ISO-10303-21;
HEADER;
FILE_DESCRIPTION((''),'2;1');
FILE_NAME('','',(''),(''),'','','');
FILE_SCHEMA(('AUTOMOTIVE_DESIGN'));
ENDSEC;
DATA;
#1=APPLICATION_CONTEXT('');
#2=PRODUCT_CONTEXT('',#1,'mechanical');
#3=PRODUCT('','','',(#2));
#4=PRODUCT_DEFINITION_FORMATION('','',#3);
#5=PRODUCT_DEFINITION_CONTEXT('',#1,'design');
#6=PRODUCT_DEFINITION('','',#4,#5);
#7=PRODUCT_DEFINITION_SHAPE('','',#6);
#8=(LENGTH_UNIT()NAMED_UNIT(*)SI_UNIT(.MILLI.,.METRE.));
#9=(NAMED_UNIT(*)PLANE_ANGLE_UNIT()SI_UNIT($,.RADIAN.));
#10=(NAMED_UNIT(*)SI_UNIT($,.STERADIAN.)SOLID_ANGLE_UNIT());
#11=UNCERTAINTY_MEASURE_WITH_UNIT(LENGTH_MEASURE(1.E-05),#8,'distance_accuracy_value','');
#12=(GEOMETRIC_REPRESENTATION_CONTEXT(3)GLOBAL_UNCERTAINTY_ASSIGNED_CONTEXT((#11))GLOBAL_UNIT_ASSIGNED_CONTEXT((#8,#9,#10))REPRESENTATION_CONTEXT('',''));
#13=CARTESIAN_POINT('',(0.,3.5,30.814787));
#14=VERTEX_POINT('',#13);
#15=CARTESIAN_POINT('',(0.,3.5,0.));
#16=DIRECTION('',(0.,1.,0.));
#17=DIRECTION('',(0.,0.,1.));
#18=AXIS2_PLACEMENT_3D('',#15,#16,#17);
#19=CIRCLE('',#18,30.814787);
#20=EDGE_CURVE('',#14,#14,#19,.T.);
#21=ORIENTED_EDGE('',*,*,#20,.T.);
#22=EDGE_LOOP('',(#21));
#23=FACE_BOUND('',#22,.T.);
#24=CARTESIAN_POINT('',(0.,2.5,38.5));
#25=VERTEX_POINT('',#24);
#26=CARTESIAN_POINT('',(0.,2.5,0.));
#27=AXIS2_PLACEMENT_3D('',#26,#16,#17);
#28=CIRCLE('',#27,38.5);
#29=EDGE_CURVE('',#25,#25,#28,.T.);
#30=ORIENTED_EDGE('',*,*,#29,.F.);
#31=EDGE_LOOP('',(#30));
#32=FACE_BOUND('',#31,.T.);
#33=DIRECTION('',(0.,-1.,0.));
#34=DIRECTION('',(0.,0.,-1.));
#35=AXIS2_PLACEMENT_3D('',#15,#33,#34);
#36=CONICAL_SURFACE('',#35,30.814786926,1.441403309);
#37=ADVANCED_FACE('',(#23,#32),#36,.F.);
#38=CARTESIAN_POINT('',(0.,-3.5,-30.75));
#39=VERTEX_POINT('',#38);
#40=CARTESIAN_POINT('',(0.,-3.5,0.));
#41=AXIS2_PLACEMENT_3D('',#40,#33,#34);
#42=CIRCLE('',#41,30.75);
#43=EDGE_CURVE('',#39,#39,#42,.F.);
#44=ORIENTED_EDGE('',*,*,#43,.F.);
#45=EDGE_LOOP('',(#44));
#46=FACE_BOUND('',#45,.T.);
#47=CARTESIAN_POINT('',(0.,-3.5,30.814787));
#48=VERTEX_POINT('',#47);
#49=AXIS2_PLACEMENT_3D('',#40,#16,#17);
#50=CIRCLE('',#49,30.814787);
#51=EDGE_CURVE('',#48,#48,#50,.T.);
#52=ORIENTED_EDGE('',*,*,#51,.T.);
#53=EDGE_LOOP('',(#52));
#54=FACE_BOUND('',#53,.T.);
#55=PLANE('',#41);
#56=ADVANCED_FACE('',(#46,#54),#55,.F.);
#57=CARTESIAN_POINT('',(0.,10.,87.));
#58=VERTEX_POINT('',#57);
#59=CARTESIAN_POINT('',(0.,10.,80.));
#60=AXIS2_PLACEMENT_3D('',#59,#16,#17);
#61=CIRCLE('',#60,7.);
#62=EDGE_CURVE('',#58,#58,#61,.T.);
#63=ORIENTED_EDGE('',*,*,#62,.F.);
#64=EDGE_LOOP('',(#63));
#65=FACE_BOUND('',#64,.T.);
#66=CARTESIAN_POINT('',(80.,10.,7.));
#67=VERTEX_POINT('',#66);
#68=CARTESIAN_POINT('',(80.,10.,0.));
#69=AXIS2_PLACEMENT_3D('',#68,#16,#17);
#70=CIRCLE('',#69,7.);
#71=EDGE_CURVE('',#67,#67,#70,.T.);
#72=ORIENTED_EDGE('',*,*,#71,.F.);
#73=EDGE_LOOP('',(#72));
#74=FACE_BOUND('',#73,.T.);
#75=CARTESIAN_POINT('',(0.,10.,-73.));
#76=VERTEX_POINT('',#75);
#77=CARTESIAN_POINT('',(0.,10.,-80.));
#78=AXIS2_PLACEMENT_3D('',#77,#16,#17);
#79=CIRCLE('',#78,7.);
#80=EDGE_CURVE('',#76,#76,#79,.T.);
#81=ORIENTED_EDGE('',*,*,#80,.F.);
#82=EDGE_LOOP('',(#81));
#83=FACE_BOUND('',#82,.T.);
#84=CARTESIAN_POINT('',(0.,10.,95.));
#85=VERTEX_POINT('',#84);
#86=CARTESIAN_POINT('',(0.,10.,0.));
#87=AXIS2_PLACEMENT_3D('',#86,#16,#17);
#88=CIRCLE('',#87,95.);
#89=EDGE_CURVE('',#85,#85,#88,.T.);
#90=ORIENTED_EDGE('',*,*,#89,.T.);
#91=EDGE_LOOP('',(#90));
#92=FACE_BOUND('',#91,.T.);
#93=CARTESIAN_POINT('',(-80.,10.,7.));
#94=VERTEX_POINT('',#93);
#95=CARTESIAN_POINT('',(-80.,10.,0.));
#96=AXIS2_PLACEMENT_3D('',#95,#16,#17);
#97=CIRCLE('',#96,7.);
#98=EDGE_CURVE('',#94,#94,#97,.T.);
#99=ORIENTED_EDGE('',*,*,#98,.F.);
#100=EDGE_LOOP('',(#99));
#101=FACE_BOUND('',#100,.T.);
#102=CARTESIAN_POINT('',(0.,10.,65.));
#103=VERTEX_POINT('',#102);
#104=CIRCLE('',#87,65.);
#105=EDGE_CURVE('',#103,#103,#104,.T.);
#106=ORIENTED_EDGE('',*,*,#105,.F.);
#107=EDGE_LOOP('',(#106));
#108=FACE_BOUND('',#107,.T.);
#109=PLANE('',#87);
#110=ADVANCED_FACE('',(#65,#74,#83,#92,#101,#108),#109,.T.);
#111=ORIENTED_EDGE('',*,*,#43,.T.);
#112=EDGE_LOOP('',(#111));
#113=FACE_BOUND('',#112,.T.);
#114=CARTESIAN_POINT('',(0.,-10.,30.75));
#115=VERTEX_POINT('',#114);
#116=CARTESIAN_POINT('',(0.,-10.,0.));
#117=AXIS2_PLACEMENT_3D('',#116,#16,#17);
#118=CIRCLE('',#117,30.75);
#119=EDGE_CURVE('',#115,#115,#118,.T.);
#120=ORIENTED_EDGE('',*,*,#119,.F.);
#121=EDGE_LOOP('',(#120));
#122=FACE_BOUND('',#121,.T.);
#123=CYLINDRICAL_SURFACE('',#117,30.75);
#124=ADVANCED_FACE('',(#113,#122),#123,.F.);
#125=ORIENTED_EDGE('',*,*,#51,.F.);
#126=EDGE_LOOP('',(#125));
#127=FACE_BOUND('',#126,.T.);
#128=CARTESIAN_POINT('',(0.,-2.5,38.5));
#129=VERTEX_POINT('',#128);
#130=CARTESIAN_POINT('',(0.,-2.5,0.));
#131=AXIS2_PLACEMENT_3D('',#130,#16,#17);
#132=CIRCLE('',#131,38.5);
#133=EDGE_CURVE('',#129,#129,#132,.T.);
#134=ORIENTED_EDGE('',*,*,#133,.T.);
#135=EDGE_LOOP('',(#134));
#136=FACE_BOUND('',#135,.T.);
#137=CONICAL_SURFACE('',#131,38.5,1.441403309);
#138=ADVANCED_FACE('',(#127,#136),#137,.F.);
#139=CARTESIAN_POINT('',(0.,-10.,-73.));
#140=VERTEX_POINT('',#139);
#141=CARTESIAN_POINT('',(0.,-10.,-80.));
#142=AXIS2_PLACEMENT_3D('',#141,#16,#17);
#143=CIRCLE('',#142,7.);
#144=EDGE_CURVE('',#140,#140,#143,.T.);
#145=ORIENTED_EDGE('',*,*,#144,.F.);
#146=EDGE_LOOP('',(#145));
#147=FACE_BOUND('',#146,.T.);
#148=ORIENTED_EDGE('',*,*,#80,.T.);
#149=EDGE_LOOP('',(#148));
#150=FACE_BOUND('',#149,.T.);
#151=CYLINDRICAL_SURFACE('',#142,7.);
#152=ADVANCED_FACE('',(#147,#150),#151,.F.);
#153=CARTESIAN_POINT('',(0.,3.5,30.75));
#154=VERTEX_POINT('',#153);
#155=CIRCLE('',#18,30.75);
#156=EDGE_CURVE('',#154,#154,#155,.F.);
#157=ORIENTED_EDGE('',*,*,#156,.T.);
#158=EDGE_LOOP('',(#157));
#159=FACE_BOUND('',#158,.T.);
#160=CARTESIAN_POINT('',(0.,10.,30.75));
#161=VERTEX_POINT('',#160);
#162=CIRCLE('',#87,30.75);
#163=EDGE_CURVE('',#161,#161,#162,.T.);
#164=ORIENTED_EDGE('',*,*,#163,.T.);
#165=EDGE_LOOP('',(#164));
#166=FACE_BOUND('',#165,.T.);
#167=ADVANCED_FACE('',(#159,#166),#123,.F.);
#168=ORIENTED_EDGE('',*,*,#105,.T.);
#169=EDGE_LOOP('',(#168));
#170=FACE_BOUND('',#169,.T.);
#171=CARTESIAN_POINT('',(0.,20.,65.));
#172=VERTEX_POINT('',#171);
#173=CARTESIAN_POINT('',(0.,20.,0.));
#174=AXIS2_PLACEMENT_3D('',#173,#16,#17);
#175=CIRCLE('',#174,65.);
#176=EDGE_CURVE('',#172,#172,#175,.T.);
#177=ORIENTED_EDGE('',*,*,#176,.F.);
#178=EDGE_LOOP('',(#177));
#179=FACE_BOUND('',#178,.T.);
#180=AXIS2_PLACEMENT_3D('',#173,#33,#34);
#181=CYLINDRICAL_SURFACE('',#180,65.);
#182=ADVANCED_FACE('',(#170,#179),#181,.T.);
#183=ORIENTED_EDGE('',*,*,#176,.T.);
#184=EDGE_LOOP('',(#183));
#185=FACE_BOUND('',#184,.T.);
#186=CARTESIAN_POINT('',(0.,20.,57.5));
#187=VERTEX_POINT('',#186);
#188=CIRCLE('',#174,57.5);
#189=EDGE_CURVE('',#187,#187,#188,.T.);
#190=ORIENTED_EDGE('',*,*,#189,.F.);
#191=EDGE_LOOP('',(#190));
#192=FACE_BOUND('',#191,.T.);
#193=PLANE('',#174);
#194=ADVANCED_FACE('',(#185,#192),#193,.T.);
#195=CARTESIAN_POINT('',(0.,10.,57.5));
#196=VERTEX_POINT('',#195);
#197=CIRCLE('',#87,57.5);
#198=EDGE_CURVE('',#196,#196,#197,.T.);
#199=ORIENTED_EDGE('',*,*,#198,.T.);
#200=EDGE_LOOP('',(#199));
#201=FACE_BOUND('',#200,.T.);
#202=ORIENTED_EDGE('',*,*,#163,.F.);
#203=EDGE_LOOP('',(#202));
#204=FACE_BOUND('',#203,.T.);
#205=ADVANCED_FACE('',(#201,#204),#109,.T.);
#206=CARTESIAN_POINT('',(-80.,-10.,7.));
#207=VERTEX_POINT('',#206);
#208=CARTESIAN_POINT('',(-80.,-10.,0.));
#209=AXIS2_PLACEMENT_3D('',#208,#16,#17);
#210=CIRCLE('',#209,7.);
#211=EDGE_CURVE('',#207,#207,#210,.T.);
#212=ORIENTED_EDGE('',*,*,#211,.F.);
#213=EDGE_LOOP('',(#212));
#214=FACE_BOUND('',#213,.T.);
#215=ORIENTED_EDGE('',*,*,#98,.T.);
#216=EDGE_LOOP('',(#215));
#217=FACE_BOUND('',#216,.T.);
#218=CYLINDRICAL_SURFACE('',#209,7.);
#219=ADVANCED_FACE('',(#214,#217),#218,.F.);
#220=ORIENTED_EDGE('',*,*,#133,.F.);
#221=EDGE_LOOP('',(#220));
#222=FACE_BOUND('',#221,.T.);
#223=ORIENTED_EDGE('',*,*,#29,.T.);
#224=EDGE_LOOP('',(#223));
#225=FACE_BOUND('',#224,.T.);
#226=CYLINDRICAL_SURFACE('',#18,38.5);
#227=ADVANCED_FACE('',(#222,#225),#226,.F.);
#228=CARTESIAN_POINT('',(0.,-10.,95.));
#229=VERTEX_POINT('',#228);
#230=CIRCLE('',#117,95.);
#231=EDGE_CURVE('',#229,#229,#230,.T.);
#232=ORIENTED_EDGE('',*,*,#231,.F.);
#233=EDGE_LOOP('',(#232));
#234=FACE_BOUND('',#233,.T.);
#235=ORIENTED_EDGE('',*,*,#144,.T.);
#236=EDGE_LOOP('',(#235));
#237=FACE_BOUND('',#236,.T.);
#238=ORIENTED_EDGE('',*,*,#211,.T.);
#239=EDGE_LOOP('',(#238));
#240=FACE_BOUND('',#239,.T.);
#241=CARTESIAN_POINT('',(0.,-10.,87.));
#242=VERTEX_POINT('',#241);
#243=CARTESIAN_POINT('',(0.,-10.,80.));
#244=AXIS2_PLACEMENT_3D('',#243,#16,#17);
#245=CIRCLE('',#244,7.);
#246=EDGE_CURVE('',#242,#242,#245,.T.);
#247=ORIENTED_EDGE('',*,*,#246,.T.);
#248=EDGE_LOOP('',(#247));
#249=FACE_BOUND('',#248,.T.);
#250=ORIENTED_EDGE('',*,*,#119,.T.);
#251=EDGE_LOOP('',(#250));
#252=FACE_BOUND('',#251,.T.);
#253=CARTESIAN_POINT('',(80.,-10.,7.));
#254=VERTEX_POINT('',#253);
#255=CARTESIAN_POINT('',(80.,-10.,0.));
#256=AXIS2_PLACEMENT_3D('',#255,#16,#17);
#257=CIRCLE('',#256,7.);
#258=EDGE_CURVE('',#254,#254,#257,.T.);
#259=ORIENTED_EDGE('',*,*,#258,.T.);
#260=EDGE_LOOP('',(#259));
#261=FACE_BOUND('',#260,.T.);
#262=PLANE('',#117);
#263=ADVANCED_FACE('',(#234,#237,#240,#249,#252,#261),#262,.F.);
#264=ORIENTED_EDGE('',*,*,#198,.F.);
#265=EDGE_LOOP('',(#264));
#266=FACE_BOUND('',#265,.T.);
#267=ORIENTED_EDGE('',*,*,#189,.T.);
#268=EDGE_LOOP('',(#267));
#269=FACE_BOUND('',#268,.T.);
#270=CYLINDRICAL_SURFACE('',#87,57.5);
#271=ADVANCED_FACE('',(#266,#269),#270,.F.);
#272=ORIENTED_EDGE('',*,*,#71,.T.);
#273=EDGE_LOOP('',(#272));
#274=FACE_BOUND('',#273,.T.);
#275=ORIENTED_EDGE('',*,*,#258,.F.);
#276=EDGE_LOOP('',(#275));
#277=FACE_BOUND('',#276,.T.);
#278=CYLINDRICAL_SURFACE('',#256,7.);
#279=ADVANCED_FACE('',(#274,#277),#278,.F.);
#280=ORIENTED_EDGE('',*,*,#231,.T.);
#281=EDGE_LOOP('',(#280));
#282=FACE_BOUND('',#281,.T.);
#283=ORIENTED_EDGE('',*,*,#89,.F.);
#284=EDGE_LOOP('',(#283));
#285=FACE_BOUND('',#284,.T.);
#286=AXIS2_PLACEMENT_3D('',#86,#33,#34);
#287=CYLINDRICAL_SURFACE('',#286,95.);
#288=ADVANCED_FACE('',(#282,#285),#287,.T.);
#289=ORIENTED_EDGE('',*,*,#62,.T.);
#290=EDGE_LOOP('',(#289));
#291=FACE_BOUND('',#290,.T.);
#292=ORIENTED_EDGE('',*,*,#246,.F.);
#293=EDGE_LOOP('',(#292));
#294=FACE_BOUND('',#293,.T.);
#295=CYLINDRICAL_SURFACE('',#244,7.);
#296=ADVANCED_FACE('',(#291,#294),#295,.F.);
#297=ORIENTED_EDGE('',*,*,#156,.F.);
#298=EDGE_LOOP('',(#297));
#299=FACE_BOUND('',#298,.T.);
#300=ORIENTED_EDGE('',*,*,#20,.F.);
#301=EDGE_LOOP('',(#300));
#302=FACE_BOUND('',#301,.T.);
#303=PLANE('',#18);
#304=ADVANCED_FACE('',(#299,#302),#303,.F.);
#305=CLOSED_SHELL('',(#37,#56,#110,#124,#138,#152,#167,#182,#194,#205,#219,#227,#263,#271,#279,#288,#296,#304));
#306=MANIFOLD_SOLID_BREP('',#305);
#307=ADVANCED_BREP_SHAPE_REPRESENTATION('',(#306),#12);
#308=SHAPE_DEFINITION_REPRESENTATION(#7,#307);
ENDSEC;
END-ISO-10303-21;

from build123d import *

# Parameters (mm, degrees)
SKETCH1_R           = 95
BOSS_EXTRUDE1_DEPTH = 10
SKETCH2_R           = 65
BOSS_EXTRUDE2_DEPTH = 10
SKETCH3_R           = 57.5
CUT_EXTRUDE1_DEPTH  = 10
SKETCH4_R           = 7
CUT_EXTRUDE2_DEPTH  = 136.830777072
SKETCH5_R           = 30.75
CUT_EXTRUDE3_DEPTH  = 136.830777072


with BuildPart() as part:
    # Sketch1 → Boss-Extrude1 (new, symmetric)
    with BuildSketch(Plane(origin=(0, 0, 0), x_dir=(1, 0, 0), z_dir=(0, 1, 0))):
        with Locations(Location((0, 0, 0), (0, 0, 270))):
            Circle(SKETCH1_R)
    extrude(amount=BOSS_EXTRUDE1_DEPTH, both=True)

    # Sketch2 → Boss-Extrude2 (add)
    with BuildSketch(Plane(origin=(0, 10, 0), x_dir=(1, 0, 0), z_dir=(0, 1, 0))):
        with Locations(Location((0, 0, 0), (0, 0, 270))):
            Circle(SKETCH2_R)
    extrude(amount=BOSS_EXTRUDE2_DEPTH)

    # Sketch3 → Cut-Extrude1 (cut)
    with BuildSketch(Plane(origin=(0, 20, 0), x_dir=(1, 0, 0), z_dir=(0, 1, 0))):
        with Locations(Location((0, 0, 0), (0, 0, 270))):
            Circle(SKETCH3_R)
    extrude(amount=-CUT_EXTRUDE1_DEPTH, mode=Mode.SUBTRACT)

    # Sketch4 → Cut-Extrude2 (cut, through all)
    with BuildSketch(Plane(origin=(0, 10, 0), x_dir=(1, 0, 0), z_dir=(0, 1, 0))):
        with Locations(Location((0, 80, 0), (0, 0, 270))):
            Circle(SKETCH4_R)
        with Locations(Location((80, 0, 0), (0, 0, 270))):
            Circle(SKETCH4_R)
        with Locations(Location((0, -80, 0), (0, 0, 270))):
            Circle(SKETCH4_R)
        with Locations(Location((-80, 0, 0), (0, 0, 270))):
            Circle(SKETCH4_R)
    extrude(amount=-CUT_EXTRUDE2_DEPTH, mode=Mode.SUBTRACT)

    # Sketch5 → Cut-Extrude3 (cut, through all)
    with BuildSketch(Plane(origin=(0, 10, 0), x_dir=(1, 0, 0), z_dir=(0, 1, 0))):
        with Locations(Location((0, 0, 0), (0, 0, 270))):
            Circle(SKETCH5_R)
    extrude(amount=-CUT_EXTRUDE3_DEPTH, mode=Mode.SUBTRACT)

    # Sketch6 → Cut-Revolve3 (revolve, cut)
    with BuildSketch(Plane(origin=(0, 0, 0), x_dir=(0, 0, -1), z_dir=(1, 0, 0))):
        Polygon((0, 3.5), (-30.814786926, 3.5), (-38.5, 2.5), (-38.5, -2.5), (-30.814786926, -3.5), (0, -3.5), align=None)
    revolve(axis=Axis((0, 3.5, 0), (0, -1, 0)), mode=Mode.SUBTRACT)


solid = part.part
